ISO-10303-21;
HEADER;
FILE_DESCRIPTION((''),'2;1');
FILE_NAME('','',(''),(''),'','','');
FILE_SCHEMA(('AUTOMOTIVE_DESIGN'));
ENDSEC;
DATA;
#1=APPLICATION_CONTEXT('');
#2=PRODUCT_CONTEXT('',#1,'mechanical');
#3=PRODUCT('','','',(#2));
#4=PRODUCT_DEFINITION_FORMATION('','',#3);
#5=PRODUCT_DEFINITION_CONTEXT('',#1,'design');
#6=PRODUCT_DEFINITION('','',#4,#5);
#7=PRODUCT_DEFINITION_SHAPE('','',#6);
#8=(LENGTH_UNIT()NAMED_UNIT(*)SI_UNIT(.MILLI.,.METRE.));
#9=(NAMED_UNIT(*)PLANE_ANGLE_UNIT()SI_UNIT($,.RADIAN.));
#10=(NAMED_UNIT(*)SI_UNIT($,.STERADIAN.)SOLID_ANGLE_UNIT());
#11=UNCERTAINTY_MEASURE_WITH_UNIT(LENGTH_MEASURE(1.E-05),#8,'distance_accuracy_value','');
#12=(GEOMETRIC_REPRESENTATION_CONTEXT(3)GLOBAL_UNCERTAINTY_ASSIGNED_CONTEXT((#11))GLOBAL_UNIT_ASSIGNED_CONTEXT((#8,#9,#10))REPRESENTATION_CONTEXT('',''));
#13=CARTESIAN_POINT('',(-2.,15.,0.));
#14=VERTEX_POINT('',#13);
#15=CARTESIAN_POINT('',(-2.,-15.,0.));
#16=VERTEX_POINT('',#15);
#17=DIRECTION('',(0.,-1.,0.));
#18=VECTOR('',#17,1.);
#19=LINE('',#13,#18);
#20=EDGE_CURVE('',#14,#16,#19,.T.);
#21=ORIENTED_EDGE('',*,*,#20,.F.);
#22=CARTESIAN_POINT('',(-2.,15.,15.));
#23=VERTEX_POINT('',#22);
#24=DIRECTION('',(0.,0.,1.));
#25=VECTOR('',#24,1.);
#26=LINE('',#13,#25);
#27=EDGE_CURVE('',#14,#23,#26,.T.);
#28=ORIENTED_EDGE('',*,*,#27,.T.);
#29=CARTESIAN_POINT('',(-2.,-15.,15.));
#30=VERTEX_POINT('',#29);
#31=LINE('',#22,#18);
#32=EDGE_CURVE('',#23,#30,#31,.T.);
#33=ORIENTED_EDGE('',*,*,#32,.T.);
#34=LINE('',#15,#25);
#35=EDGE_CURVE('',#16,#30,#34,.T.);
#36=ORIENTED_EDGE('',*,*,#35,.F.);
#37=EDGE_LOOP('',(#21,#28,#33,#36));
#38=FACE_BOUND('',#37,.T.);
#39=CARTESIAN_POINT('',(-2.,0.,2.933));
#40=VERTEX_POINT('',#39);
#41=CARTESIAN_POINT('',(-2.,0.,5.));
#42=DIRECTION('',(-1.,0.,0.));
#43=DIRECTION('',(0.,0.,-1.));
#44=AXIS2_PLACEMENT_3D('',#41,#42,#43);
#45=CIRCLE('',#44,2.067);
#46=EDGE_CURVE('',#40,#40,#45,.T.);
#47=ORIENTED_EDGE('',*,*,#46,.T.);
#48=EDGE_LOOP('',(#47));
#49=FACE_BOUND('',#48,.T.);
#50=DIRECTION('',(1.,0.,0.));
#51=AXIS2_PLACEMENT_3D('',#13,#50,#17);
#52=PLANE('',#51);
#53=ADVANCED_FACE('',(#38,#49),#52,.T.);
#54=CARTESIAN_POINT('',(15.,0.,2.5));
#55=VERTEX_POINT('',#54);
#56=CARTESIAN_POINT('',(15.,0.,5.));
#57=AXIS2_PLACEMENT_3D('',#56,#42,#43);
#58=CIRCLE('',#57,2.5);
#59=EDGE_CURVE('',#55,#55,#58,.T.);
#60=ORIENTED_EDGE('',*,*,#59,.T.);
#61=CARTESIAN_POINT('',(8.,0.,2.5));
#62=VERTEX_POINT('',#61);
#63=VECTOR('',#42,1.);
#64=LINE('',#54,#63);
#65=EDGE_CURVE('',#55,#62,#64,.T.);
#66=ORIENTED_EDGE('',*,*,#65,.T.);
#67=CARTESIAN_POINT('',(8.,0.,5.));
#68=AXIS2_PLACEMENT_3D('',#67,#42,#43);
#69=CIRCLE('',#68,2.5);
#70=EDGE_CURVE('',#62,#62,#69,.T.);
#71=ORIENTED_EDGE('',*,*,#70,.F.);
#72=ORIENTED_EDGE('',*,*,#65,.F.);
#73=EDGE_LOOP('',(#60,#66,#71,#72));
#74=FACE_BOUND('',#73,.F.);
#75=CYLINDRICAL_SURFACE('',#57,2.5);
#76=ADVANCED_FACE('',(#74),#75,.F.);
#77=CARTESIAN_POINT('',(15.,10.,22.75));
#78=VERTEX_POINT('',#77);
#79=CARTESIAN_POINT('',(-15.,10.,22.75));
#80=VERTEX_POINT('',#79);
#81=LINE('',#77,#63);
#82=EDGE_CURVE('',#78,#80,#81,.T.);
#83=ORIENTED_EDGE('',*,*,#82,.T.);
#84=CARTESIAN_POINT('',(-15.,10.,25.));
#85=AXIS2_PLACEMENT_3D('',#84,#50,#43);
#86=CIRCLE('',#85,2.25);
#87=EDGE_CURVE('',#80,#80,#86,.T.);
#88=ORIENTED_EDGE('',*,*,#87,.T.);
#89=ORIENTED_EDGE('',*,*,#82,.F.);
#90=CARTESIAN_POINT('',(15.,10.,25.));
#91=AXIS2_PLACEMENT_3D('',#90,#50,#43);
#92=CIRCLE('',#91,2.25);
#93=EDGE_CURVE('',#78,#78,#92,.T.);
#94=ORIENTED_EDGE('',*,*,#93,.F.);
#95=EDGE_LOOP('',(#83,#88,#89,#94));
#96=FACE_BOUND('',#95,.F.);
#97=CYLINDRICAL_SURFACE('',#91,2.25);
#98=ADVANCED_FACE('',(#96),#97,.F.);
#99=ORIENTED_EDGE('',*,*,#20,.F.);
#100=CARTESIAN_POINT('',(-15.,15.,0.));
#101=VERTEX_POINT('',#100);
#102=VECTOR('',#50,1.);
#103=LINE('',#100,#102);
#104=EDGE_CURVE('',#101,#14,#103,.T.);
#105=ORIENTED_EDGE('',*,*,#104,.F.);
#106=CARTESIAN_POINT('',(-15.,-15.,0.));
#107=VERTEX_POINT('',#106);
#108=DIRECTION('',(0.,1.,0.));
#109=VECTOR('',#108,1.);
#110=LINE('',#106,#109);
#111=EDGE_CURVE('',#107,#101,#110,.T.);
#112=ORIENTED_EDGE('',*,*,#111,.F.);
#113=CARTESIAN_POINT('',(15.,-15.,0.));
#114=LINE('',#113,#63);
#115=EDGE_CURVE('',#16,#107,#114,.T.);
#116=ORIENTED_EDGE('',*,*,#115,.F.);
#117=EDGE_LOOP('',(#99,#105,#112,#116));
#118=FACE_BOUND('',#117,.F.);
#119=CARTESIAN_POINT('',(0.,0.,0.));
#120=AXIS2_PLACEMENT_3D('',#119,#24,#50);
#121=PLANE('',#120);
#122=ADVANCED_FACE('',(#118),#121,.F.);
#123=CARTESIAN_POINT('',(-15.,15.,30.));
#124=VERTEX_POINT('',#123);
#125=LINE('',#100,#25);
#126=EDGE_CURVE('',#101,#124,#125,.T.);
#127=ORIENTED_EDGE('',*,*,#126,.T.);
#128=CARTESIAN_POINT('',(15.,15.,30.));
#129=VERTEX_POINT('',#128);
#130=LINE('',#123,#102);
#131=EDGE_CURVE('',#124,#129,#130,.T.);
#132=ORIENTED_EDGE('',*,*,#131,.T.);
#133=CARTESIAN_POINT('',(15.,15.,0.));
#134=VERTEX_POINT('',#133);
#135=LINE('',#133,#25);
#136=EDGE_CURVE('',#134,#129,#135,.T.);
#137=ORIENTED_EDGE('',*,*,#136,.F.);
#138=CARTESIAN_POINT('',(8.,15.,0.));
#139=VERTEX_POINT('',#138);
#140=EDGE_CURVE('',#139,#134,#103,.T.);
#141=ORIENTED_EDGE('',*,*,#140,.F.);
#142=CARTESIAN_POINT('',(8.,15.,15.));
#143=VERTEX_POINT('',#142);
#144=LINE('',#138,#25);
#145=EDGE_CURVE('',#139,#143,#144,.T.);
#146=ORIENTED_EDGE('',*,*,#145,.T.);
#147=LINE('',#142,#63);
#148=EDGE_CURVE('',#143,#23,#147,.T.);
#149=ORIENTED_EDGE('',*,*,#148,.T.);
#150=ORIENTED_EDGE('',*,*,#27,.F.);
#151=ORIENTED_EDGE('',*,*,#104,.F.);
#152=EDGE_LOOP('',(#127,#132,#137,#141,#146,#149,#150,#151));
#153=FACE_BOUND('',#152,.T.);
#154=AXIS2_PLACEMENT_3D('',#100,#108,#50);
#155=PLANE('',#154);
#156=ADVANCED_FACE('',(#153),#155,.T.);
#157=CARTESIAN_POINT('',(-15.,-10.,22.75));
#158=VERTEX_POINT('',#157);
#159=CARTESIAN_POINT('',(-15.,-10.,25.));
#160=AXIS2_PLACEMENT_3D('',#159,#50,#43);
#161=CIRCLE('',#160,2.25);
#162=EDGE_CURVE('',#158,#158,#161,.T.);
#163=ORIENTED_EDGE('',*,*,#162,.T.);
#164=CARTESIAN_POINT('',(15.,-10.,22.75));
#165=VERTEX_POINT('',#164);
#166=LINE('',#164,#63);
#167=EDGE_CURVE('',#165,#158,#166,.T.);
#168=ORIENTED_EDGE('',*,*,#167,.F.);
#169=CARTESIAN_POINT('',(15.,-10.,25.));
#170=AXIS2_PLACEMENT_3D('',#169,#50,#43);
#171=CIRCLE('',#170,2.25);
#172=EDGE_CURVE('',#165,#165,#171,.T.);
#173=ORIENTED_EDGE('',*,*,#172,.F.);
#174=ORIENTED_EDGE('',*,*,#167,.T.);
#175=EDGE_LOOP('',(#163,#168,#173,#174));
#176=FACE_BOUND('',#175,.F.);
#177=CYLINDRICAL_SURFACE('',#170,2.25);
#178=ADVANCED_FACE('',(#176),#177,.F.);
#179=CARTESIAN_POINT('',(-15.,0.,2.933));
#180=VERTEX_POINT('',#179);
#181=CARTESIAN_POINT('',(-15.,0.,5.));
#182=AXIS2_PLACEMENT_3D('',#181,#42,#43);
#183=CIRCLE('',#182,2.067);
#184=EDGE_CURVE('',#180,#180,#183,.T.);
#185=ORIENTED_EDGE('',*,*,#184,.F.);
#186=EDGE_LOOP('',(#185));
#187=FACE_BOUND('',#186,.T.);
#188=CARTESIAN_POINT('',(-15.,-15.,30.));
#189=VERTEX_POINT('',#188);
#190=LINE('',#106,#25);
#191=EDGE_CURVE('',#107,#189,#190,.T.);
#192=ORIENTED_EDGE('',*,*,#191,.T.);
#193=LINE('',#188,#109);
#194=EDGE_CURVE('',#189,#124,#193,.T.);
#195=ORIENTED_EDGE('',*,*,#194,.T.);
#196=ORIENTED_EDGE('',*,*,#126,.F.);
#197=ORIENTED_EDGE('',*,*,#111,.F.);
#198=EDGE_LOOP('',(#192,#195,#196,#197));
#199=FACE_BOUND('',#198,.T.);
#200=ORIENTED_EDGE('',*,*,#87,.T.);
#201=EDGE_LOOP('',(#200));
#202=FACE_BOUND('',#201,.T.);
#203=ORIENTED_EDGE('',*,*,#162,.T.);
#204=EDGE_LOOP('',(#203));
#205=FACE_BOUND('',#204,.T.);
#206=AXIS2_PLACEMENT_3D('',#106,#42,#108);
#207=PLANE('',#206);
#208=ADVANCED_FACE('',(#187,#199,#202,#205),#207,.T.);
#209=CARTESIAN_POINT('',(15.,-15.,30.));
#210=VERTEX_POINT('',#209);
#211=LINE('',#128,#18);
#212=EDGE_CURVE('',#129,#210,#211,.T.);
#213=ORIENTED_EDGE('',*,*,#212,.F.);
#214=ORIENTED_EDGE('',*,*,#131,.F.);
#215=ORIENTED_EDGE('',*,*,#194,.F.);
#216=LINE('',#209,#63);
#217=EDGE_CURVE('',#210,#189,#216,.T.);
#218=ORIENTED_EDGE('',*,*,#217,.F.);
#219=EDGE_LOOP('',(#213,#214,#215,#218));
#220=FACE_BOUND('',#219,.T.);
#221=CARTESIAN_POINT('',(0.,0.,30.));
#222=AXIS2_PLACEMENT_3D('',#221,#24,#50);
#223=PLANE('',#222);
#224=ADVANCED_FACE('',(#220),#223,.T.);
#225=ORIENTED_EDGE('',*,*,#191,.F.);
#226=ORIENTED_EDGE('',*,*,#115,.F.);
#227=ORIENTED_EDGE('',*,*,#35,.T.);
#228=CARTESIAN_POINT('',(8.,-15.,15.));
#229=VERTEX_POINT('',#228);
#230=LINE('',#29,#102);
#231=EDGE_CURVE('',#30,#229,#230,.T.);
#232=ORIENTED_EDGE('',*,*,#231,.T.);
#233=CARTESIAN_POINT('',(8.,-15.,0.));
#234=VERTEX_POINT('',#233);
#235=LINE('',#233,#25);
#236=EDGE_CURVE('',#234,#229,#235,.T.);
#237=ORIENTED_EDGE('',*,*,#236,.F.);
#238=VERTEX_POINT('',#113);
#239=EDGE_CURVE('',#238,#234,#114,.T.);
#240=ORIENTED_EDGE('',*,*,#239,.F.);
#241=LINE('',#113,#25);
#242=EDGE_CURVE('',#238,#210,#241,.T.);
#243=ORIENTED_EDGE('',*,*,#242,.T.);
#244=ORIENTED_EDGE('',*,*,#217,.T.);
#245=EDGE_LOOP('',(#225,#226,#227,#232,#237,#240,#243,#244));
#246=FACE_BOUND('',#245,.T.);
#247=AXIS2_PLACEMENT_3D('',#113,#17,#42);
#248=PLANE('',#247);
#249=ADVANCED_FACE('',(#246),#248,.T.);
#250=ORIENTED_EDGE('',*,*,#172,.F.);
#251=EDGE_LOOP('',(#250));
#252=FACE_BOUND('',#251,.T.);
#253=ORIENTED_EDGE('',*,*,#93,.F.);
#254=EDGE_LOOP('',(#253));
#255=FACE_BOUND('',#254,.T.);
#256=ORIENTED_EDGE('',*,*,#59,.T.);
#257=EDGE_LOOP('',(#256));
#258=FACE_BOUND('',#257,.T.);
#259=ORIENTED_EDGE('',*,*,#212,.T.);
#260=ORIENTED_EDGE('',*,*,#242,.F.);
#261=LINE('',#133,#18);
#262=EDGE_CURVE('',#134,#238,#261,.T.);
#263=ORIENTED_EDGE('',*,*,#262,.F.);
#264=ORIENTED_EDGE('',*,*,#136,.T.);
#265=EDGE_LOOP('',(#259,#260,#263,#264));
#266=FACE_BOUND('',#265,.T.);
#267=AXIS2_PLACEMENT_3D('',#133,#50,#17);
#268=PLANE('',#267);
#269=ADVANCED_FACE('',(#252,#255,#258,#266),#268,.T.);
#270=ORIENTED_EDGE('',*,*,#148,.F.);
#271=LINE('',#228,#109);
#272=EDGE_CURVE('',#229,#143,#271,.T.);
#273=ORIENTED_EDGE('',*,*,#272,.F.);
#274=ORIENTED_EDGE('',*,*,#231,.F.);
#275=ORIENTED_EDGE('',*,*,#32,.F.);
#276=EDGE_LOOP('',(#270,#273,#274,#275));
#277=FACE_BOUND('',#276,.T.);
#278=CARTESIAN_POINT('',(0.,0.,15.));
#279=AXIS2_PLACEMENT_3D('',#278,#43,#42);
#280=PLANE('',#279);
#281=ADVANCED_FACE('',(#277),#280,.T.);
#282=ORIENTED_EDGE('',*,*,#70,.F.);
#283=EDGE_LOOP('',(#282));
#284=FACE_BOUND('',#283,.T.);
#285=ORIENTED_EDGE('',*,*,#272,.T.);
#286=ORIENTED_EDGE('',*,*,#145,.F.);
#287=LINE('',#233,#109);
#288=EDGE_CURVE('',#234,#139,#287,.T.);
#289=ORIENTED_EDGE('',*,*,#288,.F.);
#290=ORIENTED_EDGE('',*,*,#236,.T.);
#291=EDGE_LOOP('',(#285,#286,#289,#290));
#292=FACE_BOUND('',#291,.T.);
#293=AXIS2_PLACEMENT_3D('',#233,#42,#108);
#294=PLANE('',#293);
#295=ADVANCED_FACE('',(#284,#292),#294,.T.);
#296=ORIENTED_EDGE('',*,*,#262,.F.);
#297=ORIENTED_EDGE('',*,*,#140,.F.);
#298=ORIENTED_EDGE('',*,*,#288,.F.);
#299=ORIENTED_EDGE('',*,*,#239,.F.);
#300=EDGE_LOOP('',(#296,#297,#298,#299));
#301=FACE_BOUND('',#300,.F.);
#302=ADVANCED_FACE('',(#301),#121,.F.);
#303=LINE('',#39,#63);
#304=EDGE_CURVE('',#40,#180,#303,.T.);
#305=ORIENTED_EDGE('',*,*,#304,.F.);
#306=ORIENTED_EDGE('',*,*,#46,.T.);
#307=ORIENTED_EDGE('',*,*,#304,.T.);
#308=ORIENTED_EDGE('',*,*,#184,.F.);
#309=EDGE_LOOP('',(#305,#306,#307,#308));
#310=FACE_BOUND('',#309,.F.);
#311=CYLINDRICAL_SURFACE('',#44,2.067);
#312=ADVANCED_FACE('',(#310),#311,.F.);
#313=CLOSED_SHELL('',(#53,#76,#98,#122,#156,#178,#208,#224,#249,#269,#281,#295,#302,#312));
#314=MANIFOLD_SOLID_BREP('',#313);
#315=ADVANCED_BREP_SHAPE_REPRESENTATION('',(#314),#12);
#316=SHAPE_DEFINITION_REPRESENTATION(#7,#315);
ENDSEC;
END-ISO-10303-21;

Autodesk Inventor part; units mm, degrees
ref_plane "YZ Plane" through (0, 0, 0) normal (1, 0, 0) x (0, 1, 0)
ref_plane "XZ Plane" through (0, 0, 0) normal (0, 1, 0) x (-1, 0, 0)
ref_plane "XY Plane" through (0, 0, 0) normal (0, 0, 1) x (1, 0, 0)
sketch "Sketch1" plane through (0, 0, 0) normal (0, 0, 1) x (1, 0, 0)
  line L0 (-15, 15) -> (15, 15)
  line L1 (15, 15) -> (15, -15)
  line L2 (15, -15) -> (-15, -15)
  line L3 (-15, -15) -> (-15, 15)
  point P0 (0, 0)
  point P1 (0, 15)
  point P2 (-15, 0)
  dimension "d0" = 30
  dimension "d1" = 30
extrude "Extrusion1" add sketch "Sketch1" along normal blind 30
sketch "Sketch6" plane through (15, -15, 0) normal (1, 0, 0) x (0, 0, -1)
  circle A0 centre (-25, 5) radius 2.25
  circle A1 centre (-25, 25) radius 2.25
  line L0 (-30, 0) -> (-30, 30) projected
  line L1 (0, 0) -> (-30, 0) projected
  line L2 (0, 30) -> (-30, 30) projected
  point P0 (0, 15)
  dimension "d19" = 4.5
  dimension "d20" = 5
  dimension "d21" = 5
  dimension "d22" = 5
extrude "Extrusion4" cut sketch "Sketch6" against normal through all
sketch "Sketch4" plane through (0, 0, 0) normal (0, 0, -1) x (-1, 0, 0)
  line L0 (2, -15) -> (-8, -15)
  line L1 (-8, -15) -> (-8, 15)
  line L2 (-8, 15) -> (2, 15)
  line L3 (2, 15) -> (2, -15)
  line L4 (15, -15) -> (-15, -15) projected
  line L5 (-15, 15) -> (15, 15) projected
  line L6 (-15, -15) -> (-15, 15) projected
  point P0 (0, 0)
  dimension "d8" = 10
  dimension "d25" = 7
extrude "Extrusion3" cut sketch "Sketch4" against normal blind 15 contours L0 L1 L2 L3
sketch "Sketch5" plane through (15, -15, 0) normal (1, 0, 0) x (0, 0, -1)
  line L0 (0, 0) -> (0, 30) projected
  point P0 (0, 15)
  point P1 (-5, 15)
  point P2 (0, 15)
  dimension "d11" = 5
hole "Hole1" at (15, 0, 5) direction (-1, 0, 0) diameter 5 depth 10 tip angle 118
sketch "Sketch7" plane through (-2, -15, 0) normal (1, 0, 0) x (0, 0, -1)
  circle A0 centre (-5, 15) radius 2.5 projected
  point P0 (0, 15)
hole "Hole2" at (-2, 0, 5) direction (-1, 0, 0) diameter 4.134 end through all thread size "M5x0.8" class "6H" standard "ISO Metric profile"
equation "\"d22\" = d21"
properties part number "0005-10-018 intinzator x" material "Wood (Maple)"
